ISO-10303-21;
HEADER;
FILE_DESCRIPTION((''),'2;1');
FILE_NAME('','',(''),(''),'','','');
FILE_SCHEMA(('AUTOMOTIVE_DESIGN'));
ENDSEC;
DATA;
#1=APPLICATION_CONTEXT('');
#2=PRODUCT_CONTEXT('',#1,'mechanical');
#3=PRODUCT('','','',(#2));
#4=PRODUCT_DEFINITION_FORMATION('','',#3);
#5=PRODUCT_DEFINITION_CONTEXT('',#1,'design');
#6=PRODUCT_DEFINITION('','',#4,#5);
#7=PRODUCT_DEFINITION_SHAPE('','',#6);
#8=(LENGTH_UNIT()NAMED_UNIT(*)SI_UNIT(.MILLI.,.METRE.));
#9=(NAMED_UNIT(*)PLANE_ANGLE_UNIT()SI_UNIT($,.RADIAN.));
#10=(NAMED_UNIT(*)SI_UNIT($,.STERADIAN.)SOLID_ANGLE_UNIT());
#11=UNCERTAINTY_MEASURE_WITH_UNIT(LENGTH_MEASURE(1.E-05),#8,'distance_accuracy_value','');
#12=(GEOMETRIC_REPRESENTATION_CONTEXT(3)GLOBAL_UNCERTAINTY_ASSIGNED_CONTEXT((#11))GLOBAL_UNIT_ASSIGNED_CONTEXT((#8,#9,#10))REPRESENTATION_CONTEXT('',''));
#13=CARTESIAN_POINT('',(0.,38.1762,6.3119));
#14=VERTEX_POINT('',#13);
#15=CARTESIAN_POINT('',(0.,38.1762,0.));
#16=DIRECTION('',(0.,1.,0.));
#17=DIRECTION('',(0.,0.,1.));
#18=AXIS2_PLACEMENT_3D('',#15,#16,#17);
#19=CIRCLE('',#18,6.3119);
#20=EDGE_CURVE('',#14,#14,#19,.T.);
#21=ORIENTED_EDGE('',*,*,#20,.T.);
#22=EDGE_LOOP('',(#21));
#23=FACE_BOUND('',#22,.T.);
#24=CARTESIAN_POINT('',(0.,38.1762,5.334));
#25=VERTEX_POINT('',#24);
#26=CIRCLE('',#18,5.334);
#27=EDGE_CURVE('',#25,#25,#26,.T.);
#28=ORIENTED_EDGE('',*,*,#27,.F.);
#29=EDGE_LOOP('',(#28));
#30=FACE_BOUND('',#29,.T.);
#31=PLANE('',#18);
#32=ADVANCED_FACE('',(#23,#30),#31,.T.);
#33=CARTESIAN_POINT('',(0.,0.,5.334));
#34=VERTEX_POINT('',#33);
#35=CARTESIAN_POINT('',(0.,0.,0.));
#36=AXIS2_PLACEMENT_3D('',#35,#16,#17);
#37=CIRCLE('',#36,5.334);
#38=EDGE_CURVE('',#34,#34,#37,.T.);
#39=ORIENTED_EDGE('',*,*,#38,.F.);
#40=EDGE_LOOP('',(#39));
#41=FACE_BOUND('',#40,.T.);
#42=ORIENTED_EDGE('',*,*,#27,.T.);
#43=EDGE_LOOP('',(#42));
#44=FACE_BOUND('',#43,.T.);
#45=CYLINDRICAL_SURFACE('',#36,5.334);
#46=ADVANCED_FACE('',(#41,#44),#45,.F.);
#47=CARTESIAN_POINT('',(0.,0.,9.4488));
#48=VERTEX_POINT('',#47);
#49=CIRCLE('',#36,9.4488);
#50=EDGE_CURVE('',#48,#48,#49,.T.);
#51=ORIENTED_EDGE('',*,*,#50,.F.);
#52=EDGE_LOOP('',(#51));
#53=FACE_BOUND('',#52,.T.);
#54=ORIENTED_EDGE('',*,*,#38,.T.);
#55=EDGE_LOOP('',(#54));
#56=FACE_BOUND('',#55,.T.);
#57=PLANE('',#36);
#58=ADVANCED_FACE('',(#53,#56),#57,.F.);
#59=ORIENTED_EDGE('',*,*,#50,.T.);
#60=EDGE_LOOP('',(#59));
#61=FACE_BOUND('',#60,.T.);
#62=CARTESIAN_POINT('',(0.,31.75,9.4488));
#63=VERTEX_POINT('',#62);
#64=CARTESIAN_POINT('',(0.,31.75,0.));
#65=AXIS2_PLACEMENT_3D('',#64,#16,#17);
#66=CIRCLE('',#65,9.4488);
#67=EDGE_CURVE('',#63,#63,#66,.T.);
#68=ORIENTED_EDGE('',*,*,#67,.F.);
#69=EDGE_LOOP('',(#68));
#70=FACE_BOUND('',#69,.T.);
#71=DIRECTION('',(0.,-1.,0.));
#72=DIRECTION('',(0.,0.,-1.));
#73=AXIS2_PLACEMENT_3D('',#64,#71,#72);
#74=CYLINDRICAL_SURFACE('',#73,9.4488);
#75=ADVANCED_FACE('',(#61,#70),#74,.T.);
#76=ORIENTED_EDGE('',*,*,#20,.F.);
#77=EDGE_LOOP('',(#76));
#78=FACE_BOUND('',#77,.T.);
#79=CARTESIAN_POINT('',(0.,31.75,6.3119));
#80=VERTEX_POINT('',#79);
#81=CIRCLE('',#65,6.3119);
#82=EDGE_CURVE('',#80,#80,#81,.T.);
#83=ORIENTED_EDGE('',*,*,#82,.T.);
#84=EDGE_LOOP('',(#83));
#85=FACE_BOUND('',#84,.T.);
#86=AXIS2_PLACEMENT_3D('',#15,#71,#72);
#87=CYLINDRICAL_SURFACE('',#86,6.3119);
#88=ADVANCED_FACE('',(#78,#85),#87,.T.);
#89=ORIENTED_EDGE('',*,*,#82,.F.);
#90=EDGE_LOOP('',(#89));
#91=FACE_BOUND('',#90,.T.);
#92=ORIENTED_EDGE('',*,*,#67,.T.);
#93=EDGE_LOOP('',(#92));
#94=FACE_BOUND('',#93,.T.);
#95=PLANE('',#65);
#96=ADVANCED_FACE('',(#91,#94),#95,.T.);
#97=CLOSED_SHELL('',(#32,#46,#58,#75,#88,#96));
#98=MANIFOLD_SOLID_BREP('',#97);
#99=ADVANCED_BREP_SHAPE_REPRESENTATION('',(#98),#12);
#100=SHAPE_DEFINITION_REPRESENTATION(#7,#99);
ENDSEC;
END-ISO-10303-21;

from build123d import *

# Parameters (mm, degrees)
SKETCH1_R           = 9.4488
BOSS_EXTRUDE1_DEPTH = 31.75
SKETCH2_R           = 6.3119
BOSS_EXTRUDE2_DEPTH = 6.4262
SKETCH3_R           = 5.334
CUT_EXTRUDE1_DEPTH  = 41.447272953


with BuildPart() as part:
    # Sketch1 → Boss-Extrude1 (new body)
    with BuildSketch(Plane(origin=(0, 0, 0), x_dir=(1, 0, 0), z_dir=(0, 1, 0))):
        with Locations(Location((0, 0, 0), (0, 0, 270))):
            Circle(SKETCH1_R)
    extrude(amount=BOSS_EXTRUDE1_DEPTH)

    # Sketch2 → Boss-Extrude2 (add)
    with BuildSketch(Plane(origin=(0, 31.75, 0), x_dir=(1, 0, 0), z_dir=(0, 1, 0))):
        with Locations(Location((0, 0, 0), (0, 0, 270))):
            Circle(SKETCH2_R)
    extrude(amount=BOSS_EXTRUDE2_DEPTH)

    # Sketch3 → Cut-Extrude1 (cut, through all)
    with BuildSketch(Plane(origin=(0, 38.1762, 0), x_dir=(1, 0, 0), z_dir=(0, 1, 0))):
        with Locations(Location((0, 0, 0), (0, 0, 270))):
            Circle(SKETCH3_R)
    extrude(amount=-CUT_EXTRUDE1_DEPTH, mode=Mode.SUBTRACT)


solid = part.part
